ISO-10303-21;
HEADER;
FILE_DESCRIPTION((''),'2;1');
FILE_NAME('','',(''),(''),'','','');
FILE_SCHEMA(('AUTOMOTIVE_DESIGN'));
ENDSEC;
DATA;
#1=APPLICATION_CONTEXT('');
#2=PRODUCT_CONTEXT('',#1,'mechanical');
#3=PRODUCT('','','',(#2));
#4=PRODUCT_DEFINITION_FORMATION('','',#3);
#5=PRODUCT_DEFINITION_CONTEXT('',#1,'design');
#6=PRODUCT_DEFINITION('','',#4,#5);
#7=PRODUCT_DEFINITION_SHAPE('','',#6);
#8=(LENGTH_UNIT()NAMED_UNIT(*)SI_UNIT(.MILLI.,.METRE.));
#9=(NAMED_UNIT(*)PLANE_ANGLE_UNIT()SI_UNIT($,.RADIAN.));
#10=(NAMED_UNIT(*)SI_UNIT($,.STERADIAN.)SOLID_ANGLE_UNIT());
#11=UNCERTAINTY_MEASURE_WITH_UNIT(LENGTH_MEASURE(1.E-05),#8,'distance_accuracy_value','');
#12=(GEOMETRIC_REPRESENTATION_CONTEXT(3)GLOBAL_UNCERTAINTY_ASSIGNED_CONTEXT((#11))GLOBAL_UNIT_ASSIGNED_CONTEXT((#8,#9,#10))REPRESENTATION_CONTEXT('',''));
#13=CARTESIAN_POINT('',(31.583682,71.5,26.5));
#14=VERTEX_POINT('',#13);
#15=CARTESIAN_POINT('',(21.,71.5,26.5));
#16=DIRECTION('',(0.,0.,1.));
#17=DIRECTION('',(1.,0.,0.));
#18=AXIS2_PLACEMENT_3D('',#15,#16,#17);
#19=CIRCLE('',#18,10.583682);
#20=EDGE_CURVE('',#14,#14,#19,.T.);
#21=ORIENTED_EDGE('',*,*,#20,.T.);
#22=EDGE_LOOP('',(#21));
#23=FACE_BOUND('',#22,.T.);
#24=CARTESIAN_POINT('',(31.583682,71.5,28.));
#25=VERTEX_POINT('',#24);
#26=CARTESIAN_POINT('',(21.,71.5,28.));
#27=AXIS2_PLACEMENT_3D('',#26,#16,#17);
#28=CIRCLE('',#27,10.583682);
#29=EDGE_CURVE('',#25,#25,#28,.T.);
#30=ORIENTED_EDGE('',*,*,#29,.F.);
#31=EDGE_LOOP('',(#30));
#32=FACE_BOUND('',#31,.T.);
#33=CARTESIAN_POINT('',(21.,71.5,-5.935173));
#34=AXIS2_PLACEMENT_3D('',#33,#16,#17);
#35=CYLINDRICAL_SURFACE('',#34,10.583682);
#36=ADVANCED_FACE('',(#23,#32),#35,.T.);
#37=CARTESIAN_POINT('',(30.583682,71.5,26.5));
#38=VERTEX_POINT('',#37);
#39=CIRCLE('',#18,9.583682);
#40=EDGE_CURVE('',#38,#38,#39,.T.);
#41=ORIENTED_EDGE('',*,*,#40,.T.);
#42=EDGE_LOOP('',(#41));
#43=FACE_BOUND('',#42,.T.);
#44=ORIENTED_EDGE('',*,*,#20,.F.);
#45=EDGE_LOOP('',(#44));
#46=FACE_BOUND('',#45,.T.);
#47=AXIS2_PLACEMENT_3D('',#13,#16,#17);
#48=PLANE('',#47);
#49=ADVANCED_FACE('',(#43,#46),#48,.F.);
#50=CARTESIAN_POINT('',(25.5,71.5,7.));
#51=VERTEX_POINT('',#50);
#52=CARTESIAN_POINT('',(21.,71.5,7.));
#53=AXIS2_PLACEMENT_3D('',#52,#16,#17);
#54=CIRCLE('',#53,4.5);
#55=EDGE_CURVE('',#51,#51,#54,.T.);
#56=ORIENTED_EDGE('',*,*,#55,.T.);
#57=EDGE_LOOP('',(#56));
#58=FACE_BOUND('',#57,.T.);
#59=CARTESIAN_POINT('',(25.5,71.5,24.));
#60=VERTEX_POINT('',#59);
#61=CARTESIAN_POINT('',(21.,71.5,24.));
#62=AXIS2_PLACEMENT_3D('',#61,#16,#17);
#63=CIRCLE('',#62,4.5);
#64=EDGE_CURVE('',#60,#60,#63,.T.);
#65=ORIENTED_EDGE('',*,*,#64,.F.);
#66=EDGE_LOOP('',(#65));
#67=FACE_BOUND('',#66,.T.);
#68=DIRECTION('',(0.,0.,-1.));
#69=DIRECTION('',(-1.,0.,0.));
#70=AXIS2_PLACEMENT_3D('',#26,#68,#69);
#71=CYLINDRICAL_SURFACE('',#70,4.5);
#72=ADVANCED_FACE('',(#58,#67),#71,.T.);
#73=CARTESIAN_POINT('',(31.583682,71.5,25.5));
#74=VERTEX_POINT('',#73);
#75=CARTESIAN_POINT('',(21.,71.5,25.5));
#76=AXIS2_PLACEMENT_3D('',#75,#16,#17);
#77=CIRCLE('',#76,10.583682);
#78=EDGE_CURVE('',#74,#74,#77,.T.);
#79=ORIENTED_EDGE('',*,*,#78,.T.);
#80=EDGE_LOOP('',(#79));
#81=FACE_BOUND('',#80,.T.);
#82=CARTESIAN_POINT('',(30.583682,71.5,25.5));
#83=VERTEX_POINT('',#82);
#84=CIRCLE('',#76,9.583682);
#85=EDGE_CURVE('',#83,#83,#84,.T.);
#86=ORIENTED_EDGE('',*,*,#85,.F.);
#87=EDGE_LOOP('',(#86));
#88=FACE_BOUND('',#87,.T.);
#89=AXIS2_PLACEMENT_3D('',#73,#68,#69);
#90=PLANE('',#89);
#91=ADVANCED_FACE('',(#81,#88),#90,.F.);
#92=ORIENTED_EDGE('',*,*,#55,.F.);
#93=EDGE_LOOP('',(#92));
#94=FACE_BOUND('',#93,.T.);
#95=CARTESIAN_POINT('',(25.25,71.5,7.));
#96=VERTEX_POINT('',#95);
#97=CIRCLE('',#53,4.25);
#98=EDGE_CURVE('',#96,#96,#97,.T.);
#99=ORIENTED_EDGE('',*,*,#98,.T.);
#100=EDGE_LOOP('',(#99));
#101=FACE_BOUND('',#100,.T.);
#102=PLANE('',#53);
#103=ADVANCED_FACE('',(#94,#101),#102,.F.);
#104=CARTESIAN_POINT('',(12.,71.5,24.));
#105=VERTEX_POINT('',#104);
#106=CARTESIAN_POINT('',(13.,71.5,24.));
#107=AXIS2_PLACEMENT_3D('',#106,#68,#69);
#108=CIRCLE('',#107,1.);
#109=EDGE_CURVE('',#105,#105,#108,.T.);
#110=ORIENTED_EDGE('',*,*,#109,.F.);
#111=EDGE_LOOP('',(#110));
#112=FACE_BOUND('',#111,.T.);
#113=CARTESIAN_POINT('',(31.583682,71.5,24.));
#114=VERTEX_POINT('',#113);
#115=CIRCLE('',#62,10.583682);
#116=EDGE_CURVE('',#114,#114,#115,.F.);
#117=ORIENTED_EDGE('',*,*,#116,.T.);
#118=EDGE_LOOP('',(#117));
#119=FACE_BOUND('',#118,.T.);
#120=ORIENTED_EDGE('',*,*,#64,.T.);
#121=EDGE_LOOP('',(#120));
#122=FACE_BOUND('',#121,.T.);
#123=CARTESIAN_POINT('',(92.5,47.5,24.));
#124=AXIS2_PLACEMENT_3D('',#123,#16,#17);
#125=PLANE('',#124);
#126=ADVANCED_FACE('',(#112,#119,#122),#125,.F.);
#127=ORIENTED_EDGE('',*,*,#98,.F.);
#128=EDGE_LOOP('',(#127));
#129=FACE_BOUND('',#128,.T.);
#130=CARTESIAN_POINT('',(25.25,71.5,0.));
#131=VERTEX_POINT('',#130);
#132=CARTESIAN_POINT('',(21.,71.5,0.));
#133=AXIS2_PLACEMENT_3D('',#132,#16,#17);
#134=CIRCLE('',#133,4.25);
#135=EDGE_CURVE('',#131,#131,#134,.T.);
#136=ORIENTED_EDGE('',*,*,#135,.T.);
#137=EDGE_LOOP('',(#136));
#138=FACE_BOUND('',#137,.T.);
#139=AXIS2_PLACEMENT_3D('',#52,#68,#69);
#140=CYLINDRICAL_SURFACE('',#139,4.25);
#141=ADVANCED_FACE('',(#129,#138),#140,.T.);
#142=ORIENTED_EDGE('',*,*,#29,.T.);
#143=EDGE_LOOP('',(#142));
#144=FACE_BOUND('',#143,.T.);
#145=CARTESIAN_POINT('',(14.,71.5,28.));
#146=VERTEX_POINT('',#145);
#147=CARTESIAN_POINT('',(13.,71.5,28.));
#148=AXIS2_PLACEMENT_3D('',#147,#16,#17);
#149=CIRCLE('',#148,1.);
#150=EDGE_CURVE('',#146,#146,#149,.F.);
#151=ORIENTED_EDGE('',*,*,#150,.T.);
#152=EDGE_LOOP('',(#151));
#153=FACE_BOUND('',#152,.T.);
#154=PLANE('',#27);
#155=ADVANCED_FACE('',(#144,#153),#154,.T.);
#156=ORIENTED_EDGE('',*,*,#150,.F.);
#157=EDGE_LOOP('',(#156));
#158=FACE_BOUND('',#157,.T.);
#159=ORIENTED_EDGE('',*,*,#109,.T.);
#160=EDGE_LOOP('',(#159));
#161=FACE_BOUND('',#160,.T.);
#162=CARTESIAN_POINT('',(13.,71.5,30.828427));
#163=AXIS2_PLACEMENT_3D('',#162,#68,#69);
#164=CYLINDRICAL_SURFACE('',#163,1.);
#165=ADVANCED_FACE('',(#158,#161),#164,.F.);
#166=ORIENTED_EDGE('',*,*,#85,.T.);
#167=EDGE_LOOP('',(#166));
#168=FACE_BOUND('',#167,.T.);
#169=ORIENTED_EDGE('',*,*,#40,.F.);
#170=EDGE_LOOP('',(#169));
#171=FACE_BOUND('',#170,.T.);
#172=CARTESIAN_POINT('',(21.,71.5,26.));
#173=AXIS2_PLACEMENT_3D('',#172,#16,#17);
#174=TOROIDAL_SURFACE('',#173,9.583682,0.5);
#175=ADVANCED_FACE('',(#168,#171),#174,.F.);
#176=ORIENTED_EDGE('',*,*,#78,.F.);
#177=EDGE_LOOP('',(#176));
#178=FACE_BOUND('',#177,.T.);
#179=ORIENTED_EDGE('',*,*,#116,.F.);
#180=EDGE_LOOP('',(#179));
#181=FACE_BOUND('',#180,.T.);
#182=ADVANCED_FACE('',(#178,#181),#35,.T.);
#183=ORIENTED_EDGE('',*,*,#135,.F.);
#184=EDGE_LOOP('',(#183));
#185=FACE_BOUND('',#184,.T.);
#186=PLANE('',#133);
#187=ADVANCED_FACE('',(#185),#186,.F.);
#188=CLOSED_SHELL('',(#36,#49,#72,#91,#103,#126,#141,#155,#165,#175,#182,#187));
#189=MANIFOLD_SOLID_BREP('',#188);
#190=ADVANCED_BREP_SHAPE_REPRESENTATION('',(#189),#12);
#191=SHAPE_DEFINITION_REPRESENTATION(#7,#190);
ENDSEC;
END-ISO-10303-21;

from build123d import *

# Parameters (mm, degrees)
SKETCH1_R           = 4.25
BOSS_EXTRUDE1_DEPTH = 7
SKETCH2_R           = 4.5
BOSS_EXTRUDE2_DEPTH = 21
SKETCH3_R           = 10.583681917
BOSS_EXTRUDE3_DEPTH = 4
SKETCH8_R           = 1
CUT_EXTRUDE1_DEPTH  = 4


with BuildPart() as part:
    # Sketch1 → Boss-Extrude1 (new body)
    with BuildSketch(Plane.XY):
        with Locations((21, 71.5)):
            Circle(SKETCH1_R)
    extrude(amount=BOSS_EXTRUDE1_DEPTH)

    # Sketch2 → Boss-Extrude2 (add)
    with BuildSketch(Plane.XY.offset(7)):
        with Locations((21, 71.5)):
            Circle(SKETCH2_R)
    extrude(amount=BOSS_EXTRUDE2_DEPTH)

    # Sketch3 → Boss-Extrude3 (add)
    with BuildSketch(Plane.XY.offset(28)):
        with Locations((21, 71.5)):
            Circle(SKETCH3_R)
    extrude(amount=-BOSS_EXTRUDE3_DEPTH)

    # Sketch6 → Cut-Revolve1 (revolve, cut)
    with BuildSketch(Plane(origin=(0, 71.5, 0), x_dir=(1, 0, 0), z_dir=(0, 1, 0))):
        with BuildLine():
            Line((31.583681917, -26.5), (31.583681917, -25.5))
            Line((31.583681917, -25.5), (30.583681917, -25.5))
            ThreePointArc((30.583681917, -25.5), (30.083681917, -26), (30.583681917, -26.5))
            Line((30.583681917, -26.5), (31.583681917, -26.5))
        make_face()
    revolve(axis=Axis((21, 71.5, 28), (0, 0, -1)), mode=Mode.SUBTRACT)

    # Sketch8 → Cut-Extrude1 (cut)
    with BuildSketch(Plane(origin=(0, 0, 24), x_dir=(-1, 0, 0), z_dir=(0, 0, -1))):
        with Locations((-13, 71.5)):
            Circle(SKETCH8_R)
    extrude(amount=-CUT_EXTRUDE1_DEPTH, mode=Mode.SUBTRACT)


solid = part.part
